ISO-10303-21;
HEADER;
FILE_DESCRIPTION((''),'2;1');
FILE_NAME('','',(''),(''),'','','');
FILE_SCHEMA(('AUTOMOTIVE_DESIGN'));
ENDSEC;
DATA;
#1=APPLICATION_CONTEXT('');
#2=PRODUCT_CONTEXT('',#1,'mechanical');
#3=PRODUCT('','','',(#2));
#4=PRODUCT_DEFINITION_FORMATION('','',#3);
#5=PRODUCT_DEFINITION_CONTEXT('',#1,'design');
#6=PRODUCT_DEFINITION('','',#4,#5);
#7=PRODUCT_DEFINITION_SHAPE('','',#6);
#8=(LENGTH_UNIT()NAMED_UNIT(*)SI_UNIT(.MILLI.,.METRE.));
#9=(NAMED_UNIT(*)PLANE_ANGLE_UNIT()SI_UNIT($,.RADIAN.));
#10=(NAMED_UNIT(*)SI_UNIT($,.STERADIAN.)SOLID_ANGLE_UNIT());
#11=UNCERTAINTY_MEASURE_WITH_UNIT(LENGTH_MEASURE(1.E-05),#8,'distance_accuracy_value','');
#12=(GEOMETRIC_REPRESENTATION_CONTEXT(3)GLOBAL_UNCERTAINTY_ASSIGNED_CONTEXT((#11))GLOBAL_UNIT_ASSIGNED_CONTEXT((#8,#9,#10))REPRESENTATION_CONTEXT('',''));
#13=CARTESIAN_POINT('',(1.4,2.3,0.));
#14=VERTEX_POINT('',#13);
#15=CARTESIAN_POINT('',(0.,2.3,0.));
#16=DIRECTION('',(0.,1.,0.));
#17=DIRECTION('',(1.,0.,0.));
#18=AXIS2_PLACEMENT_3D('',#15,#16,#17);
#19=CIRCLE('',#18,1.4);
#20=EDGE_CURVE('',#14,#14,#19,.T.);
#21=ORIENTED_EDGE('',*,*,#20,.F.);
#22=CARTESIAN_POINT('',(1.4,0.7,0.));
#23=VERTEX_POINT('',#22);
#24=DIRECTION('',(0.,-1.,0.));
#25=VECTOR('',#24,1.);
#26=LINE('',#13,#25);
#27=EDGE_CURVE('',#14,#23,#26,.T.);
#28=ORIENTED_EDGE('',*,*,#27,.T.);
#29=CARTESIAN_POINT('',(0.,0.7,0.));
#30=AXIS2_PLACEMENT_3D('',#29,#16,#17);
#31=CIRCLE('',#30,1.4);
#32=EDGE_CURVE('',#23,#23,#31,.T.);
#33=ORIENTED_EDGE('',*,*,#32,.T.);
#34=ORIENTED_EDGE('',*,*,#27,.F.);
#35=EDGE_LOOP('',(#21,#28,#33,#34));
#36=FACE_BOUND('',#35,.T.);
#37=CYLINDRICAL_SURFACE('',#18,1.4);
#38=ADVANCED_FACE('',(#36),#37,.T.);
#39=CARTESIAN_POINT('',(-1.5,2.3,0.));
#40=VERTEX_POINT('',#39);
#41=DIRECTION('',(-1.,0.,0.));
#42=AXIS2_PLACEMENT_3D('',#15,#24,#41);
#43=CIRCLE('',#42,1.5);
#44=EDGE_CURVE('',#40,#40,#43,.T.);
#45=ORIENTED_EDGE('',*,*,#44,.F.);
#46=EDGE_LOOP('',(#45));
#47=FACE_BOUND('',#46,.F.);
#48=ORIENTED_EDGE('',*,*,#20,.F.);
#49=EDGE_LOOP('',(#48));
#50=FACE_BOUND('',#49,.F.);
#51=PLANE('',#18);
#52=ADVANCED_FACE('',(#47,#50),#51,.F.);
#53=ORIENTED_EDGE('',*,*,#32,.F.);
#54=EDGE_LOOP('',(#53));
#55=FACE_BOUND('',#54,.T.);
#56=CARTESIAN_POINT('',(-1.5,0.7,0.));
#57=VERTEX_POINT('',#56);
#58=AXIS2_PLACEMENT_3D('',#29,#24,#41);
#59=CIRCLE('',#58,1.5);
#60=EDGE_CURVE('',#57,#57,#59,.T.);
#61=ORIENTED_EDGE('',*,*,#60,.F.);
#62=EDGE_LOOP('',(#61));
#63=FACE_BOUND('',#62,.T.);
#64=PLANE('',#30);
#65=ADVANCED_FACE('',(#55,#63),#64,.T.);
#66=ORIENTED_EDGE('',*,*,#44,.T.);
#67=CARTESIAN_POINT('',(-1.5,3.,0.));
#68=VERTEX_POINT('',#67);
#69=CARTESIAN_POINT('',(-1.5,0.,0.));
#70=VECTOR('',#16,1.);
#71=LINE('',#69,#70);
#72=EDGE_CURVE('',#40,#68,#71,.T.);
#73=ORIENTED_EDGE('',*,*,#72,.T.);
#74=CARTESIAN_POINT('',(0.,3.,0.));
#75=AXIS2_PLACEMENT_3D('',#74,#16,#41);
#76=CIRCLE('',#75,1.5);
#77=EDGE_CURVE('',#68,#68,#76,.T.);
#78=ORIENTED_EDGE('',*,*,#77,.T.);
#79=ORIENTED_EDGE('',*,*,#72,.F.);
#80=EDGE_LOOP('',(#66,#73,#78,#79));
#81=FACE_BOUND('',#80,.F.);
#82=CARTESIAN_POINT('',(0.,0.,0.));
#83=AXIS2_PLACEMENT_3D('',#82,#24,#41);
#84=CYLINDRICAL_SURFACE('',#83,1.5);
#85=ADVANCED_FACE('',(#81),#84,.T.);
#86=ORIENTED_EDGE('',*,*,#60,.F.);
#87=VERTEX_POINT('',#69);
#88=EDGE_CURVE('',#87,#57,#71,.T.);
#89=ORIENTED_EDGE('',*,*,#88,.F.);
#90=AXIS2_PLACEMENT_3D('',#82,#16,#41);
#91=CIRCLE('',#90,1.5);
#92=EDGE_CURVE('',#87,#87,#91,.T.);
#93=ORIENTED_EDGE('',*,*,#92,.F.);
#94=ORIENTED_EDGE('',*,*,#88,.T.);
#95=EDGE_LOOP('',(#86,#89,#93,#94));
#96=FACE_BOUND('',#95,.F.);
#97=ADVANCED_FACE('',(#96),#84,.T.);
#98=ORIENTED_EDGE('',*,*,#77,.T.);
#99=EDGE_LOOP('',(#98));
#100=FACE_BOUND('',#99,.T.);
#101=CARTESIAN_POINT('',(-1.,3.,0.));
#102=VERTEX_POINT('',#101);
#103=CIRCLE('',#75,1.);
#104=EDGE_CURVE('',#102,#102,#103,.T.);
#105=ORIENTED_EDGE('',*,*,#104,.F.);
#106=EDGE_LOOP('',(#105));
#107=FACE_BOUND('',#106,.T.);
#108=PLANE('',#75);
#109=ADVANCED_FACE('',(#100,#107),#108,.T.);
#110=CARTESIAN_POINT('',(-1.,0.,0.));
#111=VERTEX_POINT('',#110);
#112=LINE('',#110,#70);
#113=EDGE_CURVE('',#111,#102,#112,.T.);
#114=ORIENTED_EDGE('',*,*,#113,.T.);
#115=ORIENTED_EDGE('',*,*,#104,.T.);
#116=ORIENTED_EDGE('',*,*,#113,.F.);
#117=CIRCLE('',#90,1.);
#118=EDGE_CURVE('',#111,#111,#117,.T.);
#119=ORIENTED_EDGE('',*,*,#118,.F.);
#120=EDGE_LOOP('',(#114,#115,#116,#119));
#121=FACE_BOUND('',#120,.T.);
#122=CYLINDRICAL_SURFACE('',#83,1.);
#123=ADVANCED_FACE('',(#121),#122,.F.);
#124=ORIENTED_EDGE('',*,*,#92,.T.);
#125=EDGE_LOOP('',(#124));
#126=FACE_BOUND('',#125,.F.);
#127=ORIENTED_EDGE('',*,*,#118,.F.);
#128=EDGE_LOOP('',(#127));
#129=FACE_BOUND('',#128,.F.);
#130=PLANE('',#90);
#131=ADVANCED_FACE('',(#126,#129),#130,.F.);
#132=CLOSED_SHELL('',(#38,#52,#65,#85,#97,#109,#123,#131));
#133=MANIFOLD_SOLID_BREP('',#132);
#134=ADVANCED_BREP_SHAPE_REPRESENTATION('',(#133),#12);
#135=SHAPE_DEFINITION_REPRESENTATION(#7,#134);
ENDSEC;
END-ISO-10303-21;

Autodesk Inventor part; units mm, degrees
ref_plane "YZ Plane" through (0, 0, 0) normal (1, 0, 0) x (0, 1, 0)
ref_plane "XZ Plane" through (0, 0, 0) normal (0, 1, 0) x (-1, 0, 0)
ref_plane "XY Plane" through (0, 0, 0) normal (0, 0, 1) x (1, 0, 0)
sketch "Sketch1" plane through (0, 0, 0) normal (0, 1, 0) x (-1, 0, 0)
  circle A0 centre (0, 0) radius 1.5
  circle A1 centre (0, 0) radius 1
  dimension "d0" = 3
  dimension "d1" = 2
extrude "Extrusion1" add sketch "Sketch1" along normal blind 3
ref_plane "Work Plane1" through (0, 2.3, 0) normal (0, 1, 0) x (1, 0, 0)
sketch "Sketch2" plane through (0, 2.3, 0) normal (0, 1, 0) x (1, 0, 0)
  circle A0 centre (0, 0) radius 1.5 projected
  circle A1 centre (0, 0) radius 1 projected
  circle A2 centre (0, 0) radius 1.4
  dimension "d5" = 2.8
extrude "Extrusion2" cut sketch "Sketch2" against normal blind 1.6 contours A0
properties part number "screw_holder_2_3"
